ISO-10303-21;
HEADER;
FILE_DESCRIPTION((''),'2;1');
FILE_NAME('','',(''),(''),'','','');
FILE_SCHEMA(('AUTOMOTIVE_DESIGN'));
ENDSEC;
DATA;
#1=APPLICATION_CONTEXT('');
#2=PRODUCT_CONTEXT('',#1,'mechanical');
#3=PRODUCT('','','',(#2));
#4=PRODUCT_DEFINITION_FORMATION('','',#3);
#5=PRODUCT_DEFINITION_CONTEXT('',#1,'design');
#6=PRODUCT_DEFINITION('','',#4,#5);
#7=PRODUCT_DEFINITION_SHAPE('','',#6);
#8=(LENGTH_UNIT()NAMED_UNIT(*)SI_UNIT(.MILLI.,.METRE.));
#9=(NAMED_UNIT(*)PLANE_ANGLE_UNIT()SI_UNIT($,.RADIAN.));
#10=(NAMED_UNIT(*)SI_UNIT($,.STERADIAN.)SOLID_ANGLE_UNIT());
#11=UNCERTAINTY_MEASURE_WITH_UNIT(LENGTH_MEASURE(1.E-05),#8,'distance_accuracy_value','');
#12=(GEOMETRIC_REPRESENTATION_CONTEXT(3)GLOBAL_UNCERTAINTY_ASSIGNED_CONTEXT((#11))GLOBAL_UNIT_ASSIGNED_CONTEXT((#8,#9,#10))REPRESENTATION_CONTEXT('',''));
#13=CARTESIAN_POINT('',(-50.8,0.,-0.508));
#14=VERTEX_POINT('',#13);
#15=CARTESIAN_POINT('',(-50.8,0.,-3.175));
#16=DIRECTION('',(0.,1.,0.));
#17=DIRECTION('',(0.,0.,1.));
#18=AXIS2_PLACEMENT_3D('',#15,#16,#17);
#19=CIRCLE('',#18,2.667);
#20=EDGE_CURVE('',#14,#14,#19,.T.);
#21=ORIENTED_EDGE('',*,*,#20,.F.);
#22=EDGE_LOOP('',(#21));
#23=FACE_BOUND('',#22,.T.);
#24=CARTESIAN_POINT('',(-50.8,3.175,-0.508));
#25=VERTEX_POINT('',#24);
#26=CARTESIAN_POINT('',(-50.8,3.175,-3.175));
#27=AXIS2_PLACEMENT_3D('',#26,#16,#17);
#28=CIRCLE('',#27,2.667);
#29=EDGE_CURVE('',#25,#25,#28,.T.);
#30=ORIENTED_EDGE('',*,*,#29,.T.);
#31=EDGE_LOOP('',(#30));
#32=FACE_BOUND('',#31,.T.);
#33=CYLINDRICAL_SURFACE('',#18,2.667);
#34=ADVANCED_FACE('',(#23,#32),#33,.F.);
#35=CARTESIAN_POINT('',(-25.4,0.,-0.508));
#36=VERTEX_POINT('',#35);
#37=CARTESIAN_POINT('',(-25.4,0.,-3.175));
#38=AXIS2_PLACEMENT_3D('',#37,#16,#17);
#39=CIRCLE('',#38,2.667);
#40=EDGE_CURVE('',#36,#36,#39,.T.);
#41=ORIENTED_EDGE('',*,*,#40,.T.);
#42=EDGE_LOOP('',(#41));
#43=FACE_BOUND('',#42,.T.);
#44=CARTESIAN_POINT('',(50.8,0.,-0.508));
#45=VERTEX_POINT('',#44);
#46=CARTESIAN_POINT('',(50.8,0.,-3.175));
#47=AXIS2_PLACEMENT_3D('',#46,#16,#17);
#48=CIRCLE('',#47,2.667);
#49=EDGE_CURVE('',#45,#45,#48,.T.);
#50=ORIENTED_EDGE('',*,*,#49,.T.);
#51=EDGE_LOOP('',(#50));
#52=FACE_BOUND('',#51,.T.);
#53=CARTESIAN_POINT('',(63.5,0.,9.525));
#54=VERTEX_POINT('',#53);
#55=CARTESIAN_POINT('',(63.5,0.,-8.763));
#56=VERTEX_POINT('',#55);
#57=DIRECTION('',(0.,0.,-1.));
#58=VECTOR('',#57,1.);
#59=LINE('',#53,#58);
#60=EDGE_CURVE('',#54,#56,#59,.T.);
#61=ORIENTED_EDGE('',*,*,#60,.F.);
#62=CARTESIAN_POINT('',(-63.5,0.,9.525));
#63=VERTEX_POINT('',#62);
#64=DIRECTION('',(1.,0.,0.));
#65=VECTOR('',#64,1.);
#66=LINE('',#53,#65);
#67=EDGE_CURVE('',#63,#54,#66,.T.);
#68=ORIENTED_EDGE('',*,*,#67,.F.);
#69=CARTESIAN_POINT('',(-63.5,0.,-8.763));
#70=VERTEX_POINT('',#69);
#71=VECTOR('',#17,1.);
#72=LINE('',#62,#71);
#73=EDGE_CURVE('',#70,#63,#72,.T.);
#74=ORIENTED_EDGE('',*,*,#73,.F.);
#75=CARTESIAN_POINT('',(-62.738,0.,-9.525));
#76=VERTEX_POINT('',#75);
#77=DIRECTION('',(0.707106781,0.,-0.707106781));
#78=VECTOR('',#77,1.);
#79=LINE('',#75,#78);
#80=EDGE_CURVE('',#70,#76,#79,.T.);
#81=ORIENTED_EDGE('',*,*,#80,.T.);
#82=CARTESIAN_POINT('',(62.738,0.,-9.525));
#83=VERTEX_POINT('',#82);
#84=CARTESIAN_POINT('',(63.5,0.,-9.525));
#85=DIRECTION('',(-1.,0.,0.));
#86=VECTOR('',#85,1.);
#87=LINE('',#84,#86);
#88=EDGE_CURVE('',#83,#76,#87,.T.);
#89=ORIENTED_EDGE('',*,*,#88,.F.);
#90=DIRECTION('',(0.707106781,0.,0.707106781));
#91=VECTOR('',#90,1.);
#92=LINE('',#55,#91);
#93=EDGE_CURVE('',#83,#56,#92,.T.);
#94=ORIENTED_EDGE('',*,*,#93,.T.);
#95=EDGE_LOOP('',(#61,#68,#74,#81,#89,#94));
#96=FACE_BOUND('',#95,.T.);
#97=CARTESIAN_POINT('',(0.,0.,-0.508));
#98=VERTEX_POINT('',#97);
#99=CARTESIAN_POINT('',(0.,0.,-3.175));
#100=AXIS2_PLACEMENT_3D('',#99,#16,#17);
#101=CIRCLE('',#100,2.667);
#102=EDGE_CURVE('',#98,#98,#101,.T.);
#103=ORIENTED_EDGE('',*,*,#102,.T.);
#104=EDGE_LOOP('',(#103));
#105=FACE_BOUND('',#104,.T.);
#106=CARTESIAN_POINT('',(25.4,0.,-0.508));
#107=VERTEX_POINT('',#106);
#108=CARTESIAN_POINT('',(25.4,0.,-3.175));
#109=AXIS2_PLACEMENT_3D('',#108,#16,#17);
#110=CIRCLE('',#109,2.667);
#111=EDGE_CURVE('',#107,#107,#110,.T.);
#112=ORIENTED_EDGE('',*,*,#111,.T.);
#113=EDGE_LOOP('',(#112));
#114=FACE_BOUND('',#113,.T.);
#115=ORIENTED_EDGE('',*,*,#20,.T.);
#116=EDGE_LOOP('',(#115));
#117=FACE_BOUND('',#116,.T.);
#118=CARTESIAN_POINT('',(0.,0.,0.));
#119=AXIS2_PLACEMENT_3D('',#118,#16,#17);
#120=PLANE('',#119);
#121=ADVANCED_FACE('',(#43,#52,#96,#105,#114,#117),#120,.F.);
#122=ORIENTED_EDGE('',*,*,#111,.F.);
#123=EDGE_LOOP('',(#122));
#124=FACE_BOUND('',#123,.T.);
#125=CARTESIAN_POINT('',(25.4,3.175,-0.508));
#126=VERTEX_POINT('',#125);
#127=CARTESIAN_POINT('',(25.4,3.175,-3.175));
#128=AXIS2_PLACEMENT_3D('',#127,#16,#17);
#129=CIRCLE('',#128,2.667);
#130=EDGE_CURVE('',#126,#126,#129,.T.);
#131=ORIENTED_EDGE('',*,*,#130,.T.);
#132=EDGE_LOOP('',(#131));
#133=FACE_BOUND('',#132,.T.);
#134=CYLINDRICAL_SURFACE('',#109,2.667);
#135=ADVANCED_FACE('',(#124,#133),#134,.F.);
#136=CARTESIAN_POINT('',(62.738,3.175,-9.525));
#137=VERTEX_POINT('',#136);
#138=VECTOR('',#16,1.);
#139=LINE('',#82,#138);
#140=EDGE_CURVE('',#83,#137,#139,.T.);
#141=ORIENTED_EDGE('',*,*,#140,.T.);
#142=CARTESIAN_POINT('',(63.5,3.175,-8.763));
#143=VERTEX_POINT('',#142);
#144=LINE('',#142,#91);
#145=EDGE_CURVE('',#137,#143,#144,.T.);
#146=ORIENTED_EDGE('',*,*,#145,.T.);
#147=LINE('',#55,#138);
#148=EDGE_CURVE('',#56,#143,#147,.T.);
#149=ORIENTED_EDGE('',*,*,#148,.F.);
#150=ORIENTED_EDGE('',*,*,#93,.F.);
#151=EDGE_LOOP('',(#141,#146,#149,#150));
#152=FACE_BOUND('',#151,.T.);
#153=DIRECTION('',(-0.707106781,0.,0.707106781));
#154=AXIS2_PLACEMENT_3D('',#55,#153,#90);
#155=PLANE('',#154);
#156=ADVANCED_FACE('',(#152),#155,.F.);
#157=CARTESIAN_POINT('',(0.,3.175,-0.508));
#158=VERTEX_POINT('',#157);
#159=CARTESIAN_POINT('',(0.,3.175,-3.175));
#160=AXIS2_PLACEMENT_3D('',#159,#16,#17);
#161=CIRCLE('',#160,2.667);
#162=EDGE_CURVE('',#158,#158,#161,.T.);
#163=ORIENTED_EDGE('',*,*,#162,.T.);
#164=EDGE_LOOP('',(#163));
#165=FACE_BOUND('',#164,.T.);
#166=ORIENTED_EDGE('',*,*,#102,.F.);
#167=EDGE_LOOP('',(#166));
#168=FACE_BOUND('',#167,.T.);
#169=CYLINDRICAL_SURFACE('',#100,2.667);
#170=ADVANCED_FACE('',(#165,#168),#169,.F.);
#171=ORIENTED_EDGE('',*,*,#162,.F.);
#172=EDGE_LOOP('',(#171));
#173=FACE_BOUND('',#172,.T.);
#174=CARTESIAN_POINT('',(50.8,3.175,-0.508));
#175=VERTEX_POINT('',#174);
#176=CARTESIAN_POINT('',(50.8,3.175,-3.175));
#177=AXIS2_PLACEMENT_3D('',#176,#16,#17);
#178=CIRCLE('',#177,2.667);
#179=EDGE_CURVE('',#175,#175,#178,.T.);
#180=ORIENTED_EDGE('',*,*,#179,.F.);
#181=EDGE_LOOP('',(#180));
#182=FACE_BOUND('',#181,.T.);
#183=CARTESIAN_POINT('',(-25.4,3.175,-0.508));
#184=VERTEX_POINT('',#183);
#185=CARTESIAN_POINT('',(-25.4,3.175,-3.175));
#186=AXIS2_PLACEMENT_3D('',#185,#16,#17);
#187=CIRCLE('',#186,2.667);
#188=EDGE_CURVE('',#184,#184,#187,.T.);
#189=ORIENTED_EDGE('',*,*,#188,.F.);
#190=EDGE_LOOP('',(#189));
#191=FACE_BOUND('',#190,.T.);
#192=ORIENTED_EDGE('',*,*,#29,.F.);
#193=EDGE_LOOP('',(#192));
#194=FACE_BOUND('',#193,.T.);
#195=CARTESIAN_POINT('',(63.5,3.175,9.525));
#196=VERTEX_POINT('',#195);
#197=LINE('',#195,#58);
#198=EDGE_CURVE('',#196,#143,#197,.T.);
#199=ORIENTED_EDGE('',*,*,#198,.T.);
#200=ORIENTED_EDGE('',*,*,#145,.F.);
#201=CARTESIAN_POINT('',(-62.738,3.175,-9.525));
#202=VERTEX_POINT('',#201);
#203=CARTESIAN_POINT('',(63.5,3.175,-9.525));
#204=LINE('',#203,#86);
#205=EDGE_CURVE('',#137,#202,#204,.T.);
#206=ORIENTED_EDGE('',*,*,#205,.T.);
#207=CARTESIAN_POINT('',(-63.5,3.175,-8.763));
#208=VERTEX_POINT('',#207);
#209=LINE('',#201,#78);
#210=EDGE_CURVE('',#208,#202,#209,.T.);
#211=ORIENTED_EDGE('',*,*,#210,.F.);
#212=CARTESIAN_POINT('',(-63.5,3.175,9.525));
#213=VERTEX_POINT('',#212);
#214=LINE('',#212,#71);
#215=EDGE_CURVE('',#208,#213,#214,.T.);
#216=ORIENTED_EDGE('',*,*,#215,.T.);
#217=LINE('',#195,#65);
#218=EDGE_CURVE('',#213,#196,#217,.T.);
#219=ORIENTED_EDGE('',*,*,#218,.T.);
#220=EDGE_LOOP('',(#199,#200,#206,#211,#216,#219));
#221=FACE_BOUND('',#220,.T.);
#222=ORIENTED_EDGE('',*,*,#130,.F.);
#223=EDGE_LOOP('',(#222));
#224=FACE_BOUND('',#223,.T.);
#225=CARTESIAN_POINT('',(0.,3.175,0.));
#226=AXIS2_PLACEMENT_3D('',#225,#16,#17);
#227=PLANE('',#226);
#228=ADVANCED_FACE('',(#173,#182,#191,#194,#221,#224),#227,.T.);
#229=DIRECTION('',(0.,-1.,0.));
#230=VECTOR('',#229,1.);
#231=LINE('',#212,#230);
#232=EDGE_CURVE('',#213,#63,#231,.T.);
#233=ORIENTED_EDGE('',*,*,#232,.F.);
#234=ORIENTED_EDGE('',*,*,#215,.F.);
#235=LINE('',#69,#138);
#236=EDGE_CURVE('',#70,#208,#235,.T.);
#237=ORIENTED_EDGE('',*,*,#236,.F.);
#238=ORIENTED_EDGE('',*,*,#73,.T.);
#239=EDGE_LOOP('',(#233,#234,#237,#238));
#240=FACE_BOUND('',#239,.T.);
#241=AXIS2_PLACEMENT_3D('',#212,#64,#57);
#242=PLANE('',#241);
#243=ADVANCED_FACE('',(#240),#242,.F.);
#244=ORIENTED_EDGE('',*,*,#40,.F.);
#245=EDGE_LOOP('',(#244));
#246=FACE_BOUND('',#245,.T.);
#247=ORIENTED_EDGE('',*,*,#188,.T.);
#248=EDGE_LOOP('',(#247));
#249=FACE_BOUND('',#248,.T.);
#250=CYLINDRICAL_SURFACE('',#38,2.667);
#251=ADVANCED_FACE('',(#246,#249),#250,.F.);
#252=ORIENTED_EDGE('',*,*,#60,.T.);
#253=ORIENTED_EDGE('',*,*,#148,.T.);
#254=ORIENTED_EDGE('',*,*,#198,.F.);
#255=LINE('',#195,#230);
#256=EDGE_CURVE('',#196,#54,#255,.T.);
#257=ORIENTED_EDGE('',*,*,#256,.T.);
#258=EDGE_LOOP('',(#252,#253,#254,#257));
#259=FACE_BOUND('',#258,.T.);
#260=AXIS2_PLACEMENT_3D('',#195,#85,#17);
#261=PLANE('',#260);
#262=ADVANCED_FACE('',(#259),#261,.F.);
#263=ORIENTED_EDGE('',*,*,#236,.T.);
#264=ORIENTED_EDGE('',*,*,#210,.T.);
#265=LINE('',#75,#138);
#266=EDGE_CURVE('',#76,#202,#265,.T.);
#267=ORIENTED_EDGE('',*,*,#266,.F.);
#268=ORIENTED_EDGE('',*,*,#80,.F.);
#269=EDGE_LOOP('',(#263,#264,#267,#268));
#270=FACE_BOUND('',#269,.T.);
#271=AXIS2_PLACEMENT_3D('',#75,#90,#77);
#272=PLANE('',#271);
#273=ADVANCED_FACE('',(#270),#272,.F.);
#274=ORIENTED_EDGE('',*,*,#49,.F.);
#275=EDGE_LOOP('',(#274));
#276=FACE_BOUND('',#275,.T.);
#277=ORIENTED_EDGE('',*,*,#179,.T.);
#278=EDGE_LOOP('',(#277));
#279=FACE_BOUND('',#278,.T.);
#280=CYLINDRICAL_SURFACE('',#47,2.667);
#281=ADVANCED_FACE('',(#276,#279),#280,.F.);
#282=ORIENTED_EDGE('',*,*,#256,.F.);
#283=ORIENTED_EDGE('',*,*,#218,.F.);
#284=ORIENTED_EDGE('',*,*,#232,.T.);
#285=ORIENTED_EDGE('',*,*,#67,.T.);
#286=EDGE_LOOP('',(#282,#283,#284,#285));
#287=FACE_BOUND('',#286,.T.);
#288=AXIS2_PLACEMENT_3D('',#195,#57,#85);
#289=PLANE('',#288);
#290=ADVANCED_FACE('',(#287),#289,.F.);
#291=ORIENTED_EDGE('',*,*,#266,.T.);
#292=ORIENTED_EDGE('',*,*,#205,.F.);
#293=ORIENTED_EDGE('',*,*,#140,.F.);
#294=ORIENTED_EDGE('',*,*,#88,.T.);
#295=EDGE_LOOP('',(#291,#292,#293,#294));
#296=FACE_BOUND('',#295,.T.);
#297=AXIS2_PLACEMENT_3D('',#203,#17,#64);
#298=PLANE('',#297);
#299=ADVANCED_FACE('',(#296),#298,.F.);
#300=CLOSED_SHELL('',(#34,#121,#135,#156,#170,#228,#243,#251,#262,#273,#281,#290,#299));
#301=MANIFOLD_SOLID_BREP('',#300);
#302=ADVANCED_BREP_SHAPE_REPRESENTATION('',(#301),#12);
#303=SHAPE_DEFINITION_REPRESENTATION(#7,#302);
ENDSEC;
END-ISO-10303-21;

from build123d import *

# Parameters (mm, degrees)
SKETCH1_W           = 127
SKETCH1_H           = 19.05
BOSS_EXTRUDE1_DEPTH = 3.175
SKETCH2_R           = 2.667
CUT_EXTRUDE1_DEPTH  = 3.175
CUT_EXTRUDE2_DEPTH  = 3.175


with BuildPart() as part:
    # Sketch1 → Boss-Extrude1 (new body)
    with BuildSketch(Plane(origin=(0, 0, 0), x_dir=(1, 0, 0), z_dir=(0, 1, 0))):
        Rectangle(SKETCH1_W, SKETCH1_H)
    extrude(amount=BOSS_EXTRUDE1_DEPTH)

    # Sketch2 → Cut-Extrude1 (cut)
    with BuildSketch(Plane(origin=(0, 3.175, 0), x_dir=(1, 0, 0), z_dir=(0, 1, 0))):
        with Locations((50.8, 3.175)):
            Circle(SKETCH2_R)
        with Locations((25.4, 3.175)):
            Circle(SKETCH2_R)
        with Locations((0, 3.175)):
            Circle(SKETCH2_R)
        with Locations((-25.4, 3.175)):
            Circle(SKETCH2_R)
        with Locations((-50.8, 3.175)):
            Circle(SKETCH2_R)
    extrude(amount=-CUT_EXTRUDE1_DEPTH, mode=Mode.SUBTRACT)

    # Sketch3 → Cut-Extrude2 (cut)
    with BuildSketch(Plane(origin=(0, 3.175, 0), x_dir=(1, 0, 0), z_dir=(0, 1, 0))):
        Polygon((-63.5, 9.525), (-63.5, 8.763), (-62.738, 9.525), align=None)
        Polygon((63.5, 9.525), (63.5, 8.763), (62.738, 9.525), align=None)
    extrude(amount=-CUT_EXTRUDE2_DEPTH, mode=Mode.SUBTRACT)


solid = part.part
